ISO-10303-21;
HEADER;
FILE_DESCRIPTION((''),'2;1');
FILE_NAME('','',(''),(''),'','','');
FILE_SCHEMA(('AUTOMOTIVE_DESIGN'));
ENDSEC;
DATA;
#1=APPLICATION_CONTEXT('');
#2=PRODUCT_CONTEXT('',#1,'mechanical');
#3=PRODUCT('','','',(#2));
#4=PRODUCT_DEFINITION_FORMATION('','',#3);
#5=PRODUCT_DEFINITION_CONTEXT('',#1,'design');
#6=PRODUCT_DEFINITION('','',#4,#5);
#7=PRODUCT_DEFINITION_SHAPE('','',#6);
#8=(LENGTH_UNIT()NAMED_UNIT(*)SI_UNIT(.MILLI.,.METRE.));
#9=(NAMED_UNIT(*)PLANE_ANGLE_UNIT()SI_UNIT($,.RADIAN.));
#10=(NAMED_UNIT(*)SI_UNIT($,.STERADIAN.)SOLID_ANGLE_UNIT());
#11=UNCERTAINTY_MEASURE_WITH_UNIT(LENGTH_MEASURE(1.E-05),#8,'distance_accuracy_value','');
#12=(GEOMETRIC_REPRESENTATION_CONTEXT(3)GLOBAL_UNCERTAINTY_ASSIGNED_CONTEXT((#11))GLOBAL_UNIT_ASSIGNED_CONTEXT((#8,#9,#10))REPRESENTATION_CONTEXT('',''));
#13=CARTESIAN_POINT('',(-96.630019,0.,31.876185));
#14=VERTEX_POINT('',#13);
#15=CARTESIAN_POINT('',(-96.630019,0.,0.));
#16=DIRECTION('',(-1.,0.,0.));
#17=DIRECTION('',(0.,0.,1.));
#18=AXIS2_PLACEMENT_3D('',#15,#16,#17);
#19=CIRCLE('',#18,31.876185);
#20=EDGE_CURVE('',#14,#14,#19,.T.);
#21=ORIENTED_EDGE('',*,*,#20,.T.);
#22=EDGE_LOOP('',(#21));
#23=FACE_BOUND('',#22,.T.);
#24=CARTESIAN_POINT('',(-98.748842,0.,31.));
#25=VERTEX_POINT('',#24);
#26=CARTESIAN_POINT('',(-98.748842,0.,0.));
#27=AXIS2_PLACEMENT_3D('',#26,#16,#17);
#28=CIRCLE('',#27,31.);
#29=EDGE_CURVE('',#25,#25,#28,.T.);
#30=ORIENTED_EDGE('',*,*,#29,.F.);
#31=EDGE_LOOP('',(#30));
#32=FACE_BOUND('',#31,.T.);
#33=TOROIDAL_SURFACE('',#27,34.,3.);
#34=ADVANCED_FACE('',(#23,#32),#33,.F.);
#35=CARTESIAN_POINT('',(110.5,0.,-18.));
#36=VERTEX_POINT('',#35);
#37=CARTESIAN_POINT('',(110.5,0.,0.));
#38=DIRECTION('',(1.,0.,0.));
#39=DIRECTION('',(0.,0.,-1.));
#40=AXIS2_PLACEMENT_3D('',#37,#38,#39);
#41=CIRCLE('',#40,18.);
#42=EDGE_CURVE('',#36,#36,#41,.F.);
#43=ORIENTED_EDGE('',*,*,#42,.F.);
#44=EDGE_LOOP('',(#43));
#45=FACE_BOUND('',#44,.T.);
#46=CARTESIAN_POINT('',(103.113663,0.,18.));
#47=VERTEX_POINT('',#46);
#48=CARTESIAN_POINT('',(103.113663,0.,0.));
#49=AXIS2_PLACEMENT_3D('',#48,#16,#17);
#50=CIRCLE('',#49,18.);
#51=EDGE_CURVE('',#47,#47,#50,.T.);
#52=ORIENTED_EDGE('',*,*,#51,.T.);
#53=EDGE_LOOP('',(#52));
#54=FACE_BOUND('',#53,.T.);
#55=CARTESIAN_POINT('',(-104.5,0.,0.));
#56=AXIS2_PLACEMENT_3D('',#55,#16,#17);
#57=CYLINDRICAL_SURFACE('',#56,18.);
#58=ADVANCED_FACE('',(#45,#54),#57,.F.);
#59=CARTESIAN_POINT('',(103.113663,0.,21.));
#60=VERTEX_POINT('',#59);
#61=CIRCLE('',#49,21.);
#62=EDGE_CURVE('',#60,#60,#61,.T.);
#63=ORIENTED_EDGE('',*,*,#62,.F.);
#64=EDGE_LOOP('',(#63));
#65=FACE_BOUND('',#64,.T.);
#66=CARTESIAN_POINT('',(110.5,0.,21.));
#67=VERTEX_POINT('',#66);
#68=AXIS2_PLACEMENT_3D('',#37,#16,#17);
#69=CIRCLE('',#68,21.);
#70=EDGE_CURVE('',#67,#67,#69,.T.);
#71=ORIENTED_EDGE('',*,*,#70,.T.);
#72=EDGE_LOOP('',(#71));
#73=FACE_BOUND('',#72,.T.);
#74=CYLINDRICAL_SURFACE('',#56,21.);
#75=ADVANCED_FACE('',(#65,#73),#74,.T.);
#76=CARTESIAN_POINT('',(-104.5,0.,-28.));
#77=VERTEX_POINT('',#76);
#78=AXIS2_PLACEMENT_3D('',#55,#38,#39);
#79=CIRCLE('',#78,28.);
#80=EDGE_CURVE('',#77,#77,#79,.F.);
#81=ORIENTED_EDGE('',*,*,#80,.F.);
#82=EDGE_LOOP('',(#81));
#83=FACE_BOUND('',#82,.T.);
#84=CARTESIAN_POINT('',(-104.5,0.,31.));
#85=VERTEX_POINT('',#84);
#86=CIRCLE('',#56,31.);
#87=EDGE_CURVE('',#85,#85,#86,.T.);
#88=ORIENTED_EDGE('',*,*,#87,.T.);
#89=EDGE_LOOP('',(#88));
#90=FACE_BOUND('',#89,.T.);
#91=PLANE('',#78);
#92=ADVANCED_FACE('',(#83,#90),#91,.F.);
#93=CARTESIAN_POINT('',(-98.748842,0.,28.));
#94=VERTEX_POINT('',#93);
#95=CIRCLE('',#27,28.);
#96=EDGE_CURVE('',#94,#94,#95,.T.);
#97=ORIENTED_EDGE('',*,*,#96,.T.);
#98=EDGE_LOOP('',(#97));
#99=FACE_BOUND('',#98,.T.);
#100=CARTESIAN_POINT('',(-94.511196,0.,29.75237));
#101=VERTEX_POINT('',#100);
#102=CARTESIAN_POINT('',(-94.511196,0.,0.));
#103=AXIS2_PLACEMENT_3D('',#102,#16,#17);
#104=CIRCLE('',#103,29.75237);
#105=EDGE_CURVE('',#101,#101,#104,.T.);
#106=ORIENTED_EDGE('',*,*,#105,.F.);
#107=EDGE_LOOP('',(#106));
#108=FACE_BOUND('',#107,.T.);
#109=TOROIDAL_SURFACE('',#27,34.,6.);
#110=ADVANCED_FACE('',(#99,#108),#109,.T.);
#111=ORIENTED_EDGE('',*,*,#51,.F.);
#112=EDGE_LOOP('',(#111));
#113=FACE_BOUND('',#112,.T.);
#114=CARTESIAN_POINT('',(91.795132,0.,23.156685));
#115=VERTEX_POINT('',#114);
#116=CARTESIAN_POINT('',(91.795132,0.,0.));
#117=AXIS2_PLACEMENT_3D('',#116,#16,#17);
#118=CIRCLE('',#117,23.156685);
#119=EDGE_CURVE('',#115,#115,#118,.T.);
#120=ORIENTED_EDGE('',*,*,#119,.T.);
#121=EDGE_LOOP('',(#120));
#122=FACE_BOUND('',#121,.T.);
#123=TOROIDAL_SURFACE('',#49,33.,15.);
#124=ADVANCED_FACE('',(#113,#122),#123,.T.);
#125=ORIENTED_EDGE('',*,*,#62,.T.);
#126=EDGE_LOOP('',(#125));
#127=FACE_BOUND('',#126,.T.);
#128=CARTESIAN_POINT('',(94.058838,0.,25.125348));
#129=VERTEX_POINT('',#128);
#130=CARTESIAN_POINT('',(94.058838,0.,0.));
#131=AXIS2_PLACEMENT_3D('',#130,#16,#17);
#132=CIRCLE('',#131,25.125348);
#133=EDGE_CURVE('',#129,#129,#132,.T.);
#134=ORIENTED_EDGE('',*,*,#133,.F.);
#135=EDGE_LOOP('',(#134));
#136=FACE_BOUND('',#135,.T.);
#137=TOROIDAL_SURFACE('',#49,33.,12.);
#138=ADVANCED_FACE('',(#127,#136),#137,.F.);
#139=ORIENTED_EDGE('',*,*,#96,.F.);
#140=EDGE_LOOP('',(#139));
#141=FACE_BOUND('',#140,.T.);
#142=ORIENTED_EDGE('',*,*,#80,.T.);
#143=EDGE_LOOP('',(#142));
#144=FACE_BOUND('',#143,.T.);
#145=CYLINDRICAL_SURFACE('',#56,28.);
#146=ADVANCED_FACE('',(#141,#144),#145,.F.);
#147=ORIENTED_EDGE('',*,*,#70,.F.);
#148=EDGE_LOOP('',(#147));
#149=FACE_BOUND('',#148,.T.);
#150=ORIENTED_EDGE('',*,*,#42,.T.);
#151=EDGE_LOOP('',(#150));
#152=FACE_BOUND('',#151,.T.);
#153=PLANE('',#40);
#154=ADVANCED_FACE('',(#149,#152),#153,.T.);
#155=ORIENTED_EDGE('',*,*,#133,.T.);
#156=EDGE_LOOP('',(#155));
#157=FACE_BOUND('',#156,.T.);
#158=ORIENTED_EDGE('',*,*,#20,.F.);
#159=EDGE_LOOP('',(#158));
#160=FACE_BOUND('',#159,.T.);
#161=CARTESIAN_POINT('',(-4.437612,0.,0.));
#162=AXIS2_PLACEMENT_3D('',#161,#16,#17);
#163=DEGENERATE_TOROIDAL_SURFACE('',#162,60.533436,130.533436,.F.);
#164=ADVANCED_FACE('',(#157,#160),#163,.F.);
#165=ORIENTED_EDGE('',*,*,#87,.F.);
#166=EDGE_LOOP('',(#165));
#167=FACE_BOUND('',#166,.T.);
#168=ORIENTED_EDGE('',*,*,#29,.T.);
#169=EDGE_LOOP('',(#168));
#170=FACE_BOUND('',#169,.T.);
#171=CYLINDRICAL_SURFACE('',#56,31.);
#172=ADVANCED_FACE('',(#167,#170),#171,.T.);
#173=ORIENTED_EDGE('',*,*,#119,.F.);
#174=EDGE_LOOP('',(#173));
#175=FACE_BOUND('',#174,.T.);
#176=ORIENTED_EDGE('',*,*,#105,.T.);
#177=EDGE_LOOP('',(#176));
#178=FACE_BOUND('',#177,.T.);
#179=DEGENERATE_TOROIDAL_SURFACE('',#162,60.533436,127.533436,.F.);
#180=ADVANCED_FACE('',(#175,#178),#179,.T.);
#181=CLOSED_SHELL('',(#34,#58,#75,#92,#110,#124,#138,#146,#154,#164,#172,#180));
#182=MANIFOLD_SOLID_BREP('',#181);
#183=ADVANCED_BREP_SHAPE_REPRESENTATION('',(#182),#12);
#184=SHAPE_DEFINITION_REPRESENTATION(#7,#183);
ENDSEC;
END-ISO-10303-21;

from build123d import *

# Parameters (mm, degrees)
VACIADO1_T = -3


with BuildPart() as part:
    # Croquis2 → Revolución1 (revolve)
    with BuildSketch(Plane.XY, mode=Mode.PRIVATE) as revoluci_n1_sk:
        with BuildLine():
            Line((103.113662929, 21), (110.5, 21))
            Line((110.5, 21), (110.5, 0))
            Line((110.5, 0), (-104.5, 0))
            Line((-104.5, 0), (-104.5, 31))
            Line((-104.5, 31), (-98.748841769, 31))
            ThreePointArc((-98.748841769, 31), (-97.602422314, 31.227686448), (-96.630018974, 31.876185045))
            ThreePointArc((-96.630018974, 31.876185045), (0.180687511, 69.918276225), (94.058838087, 25.125347813))
            ThreePointArc((94.058838087, 25.125347813), (98.138516009, 22.079930718), (103.113662929, 21))
        make_face()
    revolve(revoluci_n1_sk.sketch.rotate(Axis((-104.5, 0, 0), (1, 0, 0)), 90), axis=Axis((-104.5, 0, 0), (1, 0, 0)))

    # Vaciado1
    vaciado1_openings = [part.faces().sort_by_distance(p)[0] for p in [
        (110.5, 0, 0),
        (-104.5, 0, 0),
    ]]
    offset(amount=VACIADO1_T, openings=vaciado1_openings, kind=Kind.INTERSECTION)


solid = part.part
